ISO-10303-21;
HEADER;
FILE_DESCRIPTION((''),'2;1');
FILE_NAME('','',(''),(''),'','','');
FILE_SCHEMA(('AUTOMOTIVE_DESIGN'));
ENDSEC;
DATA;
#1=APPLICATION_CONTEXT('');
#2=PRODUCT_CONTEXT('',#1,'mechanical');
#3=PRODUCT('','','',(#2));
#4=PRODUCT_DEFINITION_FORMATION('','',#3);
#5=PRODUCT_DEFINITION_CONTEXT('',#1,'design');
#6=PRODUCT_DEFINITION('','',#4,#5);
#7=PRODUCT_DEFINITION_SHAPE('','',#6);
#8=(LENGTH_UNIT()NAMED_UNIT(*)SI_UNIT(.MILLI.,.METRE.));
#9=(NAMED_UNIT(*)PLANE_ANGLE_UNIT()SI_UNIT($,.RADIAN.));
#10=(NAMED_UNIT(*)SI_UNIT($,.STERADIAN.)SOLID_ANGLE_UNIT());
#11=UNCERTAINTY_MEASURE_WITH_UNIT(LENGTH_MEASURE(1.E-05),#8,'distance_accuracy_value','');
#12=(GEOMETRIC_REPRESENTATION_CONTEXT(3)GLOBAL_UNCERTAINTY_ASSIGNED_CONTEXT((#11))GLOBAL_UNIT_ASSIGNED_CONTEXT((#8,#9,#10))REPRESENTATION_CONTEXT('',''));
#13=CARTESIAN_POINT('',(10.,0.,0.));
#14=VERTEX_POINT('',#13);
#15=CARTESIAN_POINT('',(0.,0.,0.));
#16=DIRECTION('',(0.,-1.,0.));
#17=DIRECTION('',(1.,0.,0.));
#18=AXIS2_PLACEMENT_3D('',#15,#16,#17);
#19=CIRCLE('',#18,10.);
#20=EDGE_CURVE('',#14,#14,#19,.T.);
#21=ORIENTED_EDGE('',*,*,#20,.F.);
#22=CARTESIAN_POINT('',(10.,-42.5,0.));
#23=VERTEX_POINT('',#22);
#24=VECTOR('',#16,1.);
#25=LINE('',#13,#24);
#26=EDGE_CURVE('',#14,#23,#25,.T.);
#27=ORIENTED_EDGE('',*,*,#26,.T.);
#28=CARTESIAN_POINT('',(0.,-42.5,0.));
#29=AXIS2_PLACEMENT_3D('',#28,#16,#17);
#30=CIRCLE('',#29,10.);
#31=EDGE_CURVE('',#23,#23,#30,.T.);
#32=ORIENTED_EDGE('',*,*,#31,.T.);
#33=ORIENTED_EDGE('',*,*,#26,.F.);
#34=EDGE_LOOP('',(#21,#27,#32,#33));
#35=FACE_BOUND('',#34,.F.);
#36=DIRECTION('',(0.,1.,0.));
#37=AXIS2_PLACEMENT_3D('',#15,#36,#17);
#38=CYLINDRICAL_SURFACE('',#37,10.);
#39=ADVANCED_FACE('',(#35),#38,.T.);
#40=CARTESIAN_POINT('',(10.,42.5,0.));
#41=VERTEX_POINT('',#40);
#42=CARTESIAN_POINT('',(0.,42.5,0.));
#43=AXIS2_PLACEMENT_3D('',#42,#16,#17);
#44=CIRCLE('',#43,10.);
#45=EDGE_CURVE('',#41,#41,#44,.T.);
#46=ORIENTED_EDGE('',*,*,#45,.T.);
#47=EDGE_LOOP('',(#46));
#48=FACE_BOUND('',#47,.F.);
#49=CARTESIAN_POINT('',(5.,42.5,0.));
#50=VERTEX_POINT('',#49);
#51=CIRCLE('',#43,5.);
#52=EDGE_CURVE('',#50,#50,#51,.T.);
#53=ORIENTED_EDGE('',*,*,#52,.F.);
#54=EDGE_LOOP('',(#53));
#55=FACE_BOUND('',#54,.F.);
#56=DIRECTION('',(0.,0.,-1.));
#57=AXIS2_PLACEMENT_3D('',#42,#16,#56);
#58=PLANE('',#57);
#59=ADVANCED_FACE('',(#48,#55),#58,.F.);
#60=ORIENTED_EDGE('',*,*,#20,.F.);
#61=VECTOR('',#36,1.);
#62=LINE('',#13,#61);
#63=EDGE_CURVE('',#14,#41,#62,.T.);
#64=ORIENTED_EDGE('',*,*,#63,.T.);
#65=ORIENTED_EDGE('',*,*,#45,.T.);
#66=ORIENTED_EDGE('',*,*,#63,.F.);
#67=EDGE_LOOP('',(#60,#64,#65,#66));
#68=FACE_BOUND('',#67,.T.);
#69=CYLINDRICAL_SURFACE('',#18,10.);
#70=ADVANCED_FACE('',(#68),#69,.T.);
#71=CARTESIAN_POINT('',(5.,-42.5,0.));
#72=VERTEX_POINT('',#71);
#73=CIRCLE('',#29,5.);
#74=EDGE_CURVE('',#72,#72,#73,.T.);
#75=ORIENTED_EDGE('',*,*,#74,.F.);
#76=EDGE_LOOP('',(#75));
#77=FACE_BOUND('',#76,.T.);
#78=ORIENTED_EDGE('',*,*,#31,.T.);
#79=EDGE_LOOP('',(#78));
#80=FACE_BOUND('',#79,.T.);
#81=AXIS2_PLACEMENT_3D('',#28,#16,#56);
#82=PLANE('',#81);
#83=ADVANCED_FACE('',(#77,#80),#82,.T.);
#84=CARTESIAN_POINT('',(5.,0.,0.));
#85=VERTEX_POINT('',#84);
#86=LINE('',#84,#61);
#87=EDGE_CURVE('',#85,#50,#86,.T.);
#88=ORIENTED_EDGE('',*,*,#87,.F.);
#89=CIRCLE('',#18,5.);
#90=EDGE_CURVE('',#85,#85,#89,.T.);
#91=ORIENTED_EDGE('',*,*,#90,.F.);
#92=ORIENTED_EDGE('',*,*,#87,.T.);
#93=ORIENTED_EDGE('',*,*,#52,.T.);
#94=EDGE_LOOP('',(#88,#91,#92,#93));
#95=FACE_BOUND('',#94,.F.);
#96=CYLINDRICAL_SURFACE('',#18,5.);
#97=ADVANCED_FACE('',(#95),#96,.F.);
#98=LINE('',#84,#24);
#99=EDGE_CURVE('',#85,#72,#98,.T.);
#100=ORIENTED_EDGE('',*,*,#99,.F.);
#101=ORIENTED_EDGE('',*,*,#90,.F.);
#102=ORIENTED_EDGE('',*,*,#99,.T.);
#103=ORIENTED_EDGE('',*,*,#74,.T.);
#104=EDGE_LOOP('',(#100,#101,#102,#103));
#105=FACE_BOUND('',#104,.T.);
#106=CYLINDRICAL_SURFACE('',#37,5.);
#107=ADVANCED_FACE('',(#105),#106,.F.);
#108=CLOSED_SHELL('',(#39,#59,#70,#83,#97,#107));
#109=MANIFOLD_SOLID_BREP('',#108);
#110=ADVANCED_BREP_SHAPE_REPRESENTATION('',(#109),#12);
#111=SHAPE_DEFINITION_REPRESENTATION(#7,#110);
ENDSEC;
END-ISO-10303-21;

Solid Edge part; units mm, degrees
sketch "Sketch1" plane through (0, 0, 0) normal (0, -1, 0) x (1, 0, 0)
  circle A0 centre (0, 0) radius 10
  circle A1 centre (0, 0) radius 5
  dimension "D1" = 10
  dimension "D2" = 20
extrude "Protrusion1" add sketch "Sketch1" along normal mid plane 85
properties part number "2" material "HCS"
